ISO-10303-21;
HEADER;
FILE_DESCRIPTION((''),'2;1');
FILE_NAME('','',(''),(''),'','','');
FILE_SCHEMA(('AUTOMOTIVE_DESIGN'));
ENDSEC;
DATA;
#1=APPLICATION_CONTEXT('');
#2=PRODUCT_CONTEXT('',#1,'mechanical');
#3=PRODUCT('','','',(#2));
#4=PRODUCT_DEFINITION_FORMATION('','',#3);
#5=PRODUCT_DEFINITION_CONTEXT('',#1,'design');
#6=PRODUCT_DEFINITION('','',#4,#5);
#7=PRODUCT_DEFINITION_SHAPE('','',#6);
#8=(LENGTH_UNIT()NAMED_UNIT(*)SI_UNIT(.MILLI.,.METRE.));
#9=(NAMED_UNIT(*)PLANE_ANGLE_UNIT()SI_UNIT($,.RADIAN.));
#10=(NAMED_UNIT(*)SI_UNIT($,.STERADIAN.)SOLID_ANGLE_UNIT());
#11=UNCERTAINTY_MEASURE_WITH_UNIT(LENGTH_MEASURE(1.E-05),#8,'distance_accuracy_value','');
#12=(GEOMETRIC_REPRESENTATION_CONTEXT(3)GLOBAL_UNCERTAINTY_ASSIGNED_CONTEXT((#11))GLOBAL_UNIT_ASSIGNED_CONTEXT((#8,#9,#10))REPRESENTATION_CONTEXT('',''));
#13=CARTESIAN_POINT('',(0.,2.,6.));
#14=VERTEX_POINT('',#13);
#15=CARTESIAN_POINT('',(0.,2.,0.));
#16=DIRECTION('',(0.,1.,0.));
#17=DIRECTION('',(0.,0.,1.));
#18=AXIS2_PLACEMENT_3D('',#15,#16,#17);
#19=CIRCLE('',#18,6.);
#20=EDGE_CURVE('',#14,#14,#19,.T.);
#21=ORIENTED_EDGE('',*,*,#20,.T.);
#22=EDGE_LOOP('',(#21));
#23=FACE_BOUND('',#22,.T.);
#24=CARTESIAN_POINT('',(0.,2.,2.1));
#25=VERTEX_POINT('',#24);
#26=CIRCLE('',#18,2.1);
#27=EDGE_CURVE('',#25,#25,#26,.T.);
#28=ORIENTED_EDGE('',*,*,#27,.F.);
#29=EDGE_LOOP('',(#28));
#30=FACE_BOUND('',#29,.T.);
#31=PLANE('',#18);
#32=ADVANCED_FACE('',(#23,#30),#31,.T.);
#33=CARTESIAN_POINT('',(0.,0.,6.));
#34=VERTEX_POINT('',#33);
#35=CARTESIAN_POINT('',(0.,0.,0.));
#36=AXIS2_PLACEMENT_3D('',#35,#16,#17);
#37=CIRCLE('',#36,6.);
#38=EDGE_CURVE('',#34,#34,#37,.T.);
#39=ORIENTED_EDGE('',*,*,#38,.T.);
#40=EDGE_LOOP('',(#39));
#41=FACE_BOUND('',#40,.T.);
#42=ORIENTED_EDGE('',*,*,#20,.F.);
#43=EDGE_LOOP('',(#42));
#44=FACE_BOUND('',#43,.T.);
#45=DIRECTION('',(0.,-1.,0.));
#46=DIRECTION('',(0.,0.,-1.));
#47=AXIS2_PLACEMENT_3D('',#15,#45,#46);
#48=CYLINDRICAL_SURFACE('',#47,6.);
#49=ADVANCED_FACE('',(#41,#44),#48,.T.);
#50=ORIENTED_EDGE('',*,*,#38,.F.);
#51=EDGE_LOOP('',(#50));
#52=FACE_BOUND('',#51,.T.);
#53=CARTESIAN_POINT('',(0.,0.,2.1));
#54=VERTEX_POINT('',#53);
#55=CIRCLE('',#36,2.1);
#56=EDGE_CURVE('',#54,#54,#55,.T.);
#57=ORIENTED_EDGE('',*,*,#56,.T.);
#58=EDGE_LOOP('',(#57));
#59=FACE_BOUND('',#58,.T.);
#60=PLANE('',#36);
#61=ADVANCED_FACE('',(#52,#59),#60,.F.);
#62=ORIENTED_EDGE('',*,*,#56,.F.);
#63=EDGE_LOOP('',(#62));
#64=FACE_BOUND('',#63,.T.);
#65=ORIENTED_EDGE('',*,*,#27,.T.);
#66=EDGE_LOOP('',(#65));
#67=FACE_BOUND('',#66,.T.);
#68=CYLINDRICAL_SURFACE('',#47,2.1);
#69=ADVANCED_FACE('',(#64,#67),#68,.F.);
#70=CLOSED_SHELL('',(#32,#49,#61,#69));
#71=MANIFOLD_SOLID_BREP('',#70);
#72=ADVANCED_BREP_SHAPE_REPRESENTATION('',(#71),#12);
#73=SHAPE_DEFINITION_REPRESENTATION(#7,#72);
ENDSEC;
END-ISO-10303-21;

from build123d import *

# Parameters (mm, degrees)
SKETCH_1_R      = 6
SKETCH_1_R_2    = 2.1
EXTRUDE_1_DEPTH = 2


with BuildPart() as part:
    # Эскиз1 → Бобышка-Вытянуть1 (new body)
    with BuildSketch(Plane(origin=(0, 0, 0), x_dir=(1, 0, 0), z_dir=(0, 1, 0))):
        Circle(SKETCH_1_R)
        Circle(SKETCH_1_R_2, mode=Mode.SUBTRACT)
    extrude(amount=EXTRUDE_1_DEPTH)


solid = part.part
